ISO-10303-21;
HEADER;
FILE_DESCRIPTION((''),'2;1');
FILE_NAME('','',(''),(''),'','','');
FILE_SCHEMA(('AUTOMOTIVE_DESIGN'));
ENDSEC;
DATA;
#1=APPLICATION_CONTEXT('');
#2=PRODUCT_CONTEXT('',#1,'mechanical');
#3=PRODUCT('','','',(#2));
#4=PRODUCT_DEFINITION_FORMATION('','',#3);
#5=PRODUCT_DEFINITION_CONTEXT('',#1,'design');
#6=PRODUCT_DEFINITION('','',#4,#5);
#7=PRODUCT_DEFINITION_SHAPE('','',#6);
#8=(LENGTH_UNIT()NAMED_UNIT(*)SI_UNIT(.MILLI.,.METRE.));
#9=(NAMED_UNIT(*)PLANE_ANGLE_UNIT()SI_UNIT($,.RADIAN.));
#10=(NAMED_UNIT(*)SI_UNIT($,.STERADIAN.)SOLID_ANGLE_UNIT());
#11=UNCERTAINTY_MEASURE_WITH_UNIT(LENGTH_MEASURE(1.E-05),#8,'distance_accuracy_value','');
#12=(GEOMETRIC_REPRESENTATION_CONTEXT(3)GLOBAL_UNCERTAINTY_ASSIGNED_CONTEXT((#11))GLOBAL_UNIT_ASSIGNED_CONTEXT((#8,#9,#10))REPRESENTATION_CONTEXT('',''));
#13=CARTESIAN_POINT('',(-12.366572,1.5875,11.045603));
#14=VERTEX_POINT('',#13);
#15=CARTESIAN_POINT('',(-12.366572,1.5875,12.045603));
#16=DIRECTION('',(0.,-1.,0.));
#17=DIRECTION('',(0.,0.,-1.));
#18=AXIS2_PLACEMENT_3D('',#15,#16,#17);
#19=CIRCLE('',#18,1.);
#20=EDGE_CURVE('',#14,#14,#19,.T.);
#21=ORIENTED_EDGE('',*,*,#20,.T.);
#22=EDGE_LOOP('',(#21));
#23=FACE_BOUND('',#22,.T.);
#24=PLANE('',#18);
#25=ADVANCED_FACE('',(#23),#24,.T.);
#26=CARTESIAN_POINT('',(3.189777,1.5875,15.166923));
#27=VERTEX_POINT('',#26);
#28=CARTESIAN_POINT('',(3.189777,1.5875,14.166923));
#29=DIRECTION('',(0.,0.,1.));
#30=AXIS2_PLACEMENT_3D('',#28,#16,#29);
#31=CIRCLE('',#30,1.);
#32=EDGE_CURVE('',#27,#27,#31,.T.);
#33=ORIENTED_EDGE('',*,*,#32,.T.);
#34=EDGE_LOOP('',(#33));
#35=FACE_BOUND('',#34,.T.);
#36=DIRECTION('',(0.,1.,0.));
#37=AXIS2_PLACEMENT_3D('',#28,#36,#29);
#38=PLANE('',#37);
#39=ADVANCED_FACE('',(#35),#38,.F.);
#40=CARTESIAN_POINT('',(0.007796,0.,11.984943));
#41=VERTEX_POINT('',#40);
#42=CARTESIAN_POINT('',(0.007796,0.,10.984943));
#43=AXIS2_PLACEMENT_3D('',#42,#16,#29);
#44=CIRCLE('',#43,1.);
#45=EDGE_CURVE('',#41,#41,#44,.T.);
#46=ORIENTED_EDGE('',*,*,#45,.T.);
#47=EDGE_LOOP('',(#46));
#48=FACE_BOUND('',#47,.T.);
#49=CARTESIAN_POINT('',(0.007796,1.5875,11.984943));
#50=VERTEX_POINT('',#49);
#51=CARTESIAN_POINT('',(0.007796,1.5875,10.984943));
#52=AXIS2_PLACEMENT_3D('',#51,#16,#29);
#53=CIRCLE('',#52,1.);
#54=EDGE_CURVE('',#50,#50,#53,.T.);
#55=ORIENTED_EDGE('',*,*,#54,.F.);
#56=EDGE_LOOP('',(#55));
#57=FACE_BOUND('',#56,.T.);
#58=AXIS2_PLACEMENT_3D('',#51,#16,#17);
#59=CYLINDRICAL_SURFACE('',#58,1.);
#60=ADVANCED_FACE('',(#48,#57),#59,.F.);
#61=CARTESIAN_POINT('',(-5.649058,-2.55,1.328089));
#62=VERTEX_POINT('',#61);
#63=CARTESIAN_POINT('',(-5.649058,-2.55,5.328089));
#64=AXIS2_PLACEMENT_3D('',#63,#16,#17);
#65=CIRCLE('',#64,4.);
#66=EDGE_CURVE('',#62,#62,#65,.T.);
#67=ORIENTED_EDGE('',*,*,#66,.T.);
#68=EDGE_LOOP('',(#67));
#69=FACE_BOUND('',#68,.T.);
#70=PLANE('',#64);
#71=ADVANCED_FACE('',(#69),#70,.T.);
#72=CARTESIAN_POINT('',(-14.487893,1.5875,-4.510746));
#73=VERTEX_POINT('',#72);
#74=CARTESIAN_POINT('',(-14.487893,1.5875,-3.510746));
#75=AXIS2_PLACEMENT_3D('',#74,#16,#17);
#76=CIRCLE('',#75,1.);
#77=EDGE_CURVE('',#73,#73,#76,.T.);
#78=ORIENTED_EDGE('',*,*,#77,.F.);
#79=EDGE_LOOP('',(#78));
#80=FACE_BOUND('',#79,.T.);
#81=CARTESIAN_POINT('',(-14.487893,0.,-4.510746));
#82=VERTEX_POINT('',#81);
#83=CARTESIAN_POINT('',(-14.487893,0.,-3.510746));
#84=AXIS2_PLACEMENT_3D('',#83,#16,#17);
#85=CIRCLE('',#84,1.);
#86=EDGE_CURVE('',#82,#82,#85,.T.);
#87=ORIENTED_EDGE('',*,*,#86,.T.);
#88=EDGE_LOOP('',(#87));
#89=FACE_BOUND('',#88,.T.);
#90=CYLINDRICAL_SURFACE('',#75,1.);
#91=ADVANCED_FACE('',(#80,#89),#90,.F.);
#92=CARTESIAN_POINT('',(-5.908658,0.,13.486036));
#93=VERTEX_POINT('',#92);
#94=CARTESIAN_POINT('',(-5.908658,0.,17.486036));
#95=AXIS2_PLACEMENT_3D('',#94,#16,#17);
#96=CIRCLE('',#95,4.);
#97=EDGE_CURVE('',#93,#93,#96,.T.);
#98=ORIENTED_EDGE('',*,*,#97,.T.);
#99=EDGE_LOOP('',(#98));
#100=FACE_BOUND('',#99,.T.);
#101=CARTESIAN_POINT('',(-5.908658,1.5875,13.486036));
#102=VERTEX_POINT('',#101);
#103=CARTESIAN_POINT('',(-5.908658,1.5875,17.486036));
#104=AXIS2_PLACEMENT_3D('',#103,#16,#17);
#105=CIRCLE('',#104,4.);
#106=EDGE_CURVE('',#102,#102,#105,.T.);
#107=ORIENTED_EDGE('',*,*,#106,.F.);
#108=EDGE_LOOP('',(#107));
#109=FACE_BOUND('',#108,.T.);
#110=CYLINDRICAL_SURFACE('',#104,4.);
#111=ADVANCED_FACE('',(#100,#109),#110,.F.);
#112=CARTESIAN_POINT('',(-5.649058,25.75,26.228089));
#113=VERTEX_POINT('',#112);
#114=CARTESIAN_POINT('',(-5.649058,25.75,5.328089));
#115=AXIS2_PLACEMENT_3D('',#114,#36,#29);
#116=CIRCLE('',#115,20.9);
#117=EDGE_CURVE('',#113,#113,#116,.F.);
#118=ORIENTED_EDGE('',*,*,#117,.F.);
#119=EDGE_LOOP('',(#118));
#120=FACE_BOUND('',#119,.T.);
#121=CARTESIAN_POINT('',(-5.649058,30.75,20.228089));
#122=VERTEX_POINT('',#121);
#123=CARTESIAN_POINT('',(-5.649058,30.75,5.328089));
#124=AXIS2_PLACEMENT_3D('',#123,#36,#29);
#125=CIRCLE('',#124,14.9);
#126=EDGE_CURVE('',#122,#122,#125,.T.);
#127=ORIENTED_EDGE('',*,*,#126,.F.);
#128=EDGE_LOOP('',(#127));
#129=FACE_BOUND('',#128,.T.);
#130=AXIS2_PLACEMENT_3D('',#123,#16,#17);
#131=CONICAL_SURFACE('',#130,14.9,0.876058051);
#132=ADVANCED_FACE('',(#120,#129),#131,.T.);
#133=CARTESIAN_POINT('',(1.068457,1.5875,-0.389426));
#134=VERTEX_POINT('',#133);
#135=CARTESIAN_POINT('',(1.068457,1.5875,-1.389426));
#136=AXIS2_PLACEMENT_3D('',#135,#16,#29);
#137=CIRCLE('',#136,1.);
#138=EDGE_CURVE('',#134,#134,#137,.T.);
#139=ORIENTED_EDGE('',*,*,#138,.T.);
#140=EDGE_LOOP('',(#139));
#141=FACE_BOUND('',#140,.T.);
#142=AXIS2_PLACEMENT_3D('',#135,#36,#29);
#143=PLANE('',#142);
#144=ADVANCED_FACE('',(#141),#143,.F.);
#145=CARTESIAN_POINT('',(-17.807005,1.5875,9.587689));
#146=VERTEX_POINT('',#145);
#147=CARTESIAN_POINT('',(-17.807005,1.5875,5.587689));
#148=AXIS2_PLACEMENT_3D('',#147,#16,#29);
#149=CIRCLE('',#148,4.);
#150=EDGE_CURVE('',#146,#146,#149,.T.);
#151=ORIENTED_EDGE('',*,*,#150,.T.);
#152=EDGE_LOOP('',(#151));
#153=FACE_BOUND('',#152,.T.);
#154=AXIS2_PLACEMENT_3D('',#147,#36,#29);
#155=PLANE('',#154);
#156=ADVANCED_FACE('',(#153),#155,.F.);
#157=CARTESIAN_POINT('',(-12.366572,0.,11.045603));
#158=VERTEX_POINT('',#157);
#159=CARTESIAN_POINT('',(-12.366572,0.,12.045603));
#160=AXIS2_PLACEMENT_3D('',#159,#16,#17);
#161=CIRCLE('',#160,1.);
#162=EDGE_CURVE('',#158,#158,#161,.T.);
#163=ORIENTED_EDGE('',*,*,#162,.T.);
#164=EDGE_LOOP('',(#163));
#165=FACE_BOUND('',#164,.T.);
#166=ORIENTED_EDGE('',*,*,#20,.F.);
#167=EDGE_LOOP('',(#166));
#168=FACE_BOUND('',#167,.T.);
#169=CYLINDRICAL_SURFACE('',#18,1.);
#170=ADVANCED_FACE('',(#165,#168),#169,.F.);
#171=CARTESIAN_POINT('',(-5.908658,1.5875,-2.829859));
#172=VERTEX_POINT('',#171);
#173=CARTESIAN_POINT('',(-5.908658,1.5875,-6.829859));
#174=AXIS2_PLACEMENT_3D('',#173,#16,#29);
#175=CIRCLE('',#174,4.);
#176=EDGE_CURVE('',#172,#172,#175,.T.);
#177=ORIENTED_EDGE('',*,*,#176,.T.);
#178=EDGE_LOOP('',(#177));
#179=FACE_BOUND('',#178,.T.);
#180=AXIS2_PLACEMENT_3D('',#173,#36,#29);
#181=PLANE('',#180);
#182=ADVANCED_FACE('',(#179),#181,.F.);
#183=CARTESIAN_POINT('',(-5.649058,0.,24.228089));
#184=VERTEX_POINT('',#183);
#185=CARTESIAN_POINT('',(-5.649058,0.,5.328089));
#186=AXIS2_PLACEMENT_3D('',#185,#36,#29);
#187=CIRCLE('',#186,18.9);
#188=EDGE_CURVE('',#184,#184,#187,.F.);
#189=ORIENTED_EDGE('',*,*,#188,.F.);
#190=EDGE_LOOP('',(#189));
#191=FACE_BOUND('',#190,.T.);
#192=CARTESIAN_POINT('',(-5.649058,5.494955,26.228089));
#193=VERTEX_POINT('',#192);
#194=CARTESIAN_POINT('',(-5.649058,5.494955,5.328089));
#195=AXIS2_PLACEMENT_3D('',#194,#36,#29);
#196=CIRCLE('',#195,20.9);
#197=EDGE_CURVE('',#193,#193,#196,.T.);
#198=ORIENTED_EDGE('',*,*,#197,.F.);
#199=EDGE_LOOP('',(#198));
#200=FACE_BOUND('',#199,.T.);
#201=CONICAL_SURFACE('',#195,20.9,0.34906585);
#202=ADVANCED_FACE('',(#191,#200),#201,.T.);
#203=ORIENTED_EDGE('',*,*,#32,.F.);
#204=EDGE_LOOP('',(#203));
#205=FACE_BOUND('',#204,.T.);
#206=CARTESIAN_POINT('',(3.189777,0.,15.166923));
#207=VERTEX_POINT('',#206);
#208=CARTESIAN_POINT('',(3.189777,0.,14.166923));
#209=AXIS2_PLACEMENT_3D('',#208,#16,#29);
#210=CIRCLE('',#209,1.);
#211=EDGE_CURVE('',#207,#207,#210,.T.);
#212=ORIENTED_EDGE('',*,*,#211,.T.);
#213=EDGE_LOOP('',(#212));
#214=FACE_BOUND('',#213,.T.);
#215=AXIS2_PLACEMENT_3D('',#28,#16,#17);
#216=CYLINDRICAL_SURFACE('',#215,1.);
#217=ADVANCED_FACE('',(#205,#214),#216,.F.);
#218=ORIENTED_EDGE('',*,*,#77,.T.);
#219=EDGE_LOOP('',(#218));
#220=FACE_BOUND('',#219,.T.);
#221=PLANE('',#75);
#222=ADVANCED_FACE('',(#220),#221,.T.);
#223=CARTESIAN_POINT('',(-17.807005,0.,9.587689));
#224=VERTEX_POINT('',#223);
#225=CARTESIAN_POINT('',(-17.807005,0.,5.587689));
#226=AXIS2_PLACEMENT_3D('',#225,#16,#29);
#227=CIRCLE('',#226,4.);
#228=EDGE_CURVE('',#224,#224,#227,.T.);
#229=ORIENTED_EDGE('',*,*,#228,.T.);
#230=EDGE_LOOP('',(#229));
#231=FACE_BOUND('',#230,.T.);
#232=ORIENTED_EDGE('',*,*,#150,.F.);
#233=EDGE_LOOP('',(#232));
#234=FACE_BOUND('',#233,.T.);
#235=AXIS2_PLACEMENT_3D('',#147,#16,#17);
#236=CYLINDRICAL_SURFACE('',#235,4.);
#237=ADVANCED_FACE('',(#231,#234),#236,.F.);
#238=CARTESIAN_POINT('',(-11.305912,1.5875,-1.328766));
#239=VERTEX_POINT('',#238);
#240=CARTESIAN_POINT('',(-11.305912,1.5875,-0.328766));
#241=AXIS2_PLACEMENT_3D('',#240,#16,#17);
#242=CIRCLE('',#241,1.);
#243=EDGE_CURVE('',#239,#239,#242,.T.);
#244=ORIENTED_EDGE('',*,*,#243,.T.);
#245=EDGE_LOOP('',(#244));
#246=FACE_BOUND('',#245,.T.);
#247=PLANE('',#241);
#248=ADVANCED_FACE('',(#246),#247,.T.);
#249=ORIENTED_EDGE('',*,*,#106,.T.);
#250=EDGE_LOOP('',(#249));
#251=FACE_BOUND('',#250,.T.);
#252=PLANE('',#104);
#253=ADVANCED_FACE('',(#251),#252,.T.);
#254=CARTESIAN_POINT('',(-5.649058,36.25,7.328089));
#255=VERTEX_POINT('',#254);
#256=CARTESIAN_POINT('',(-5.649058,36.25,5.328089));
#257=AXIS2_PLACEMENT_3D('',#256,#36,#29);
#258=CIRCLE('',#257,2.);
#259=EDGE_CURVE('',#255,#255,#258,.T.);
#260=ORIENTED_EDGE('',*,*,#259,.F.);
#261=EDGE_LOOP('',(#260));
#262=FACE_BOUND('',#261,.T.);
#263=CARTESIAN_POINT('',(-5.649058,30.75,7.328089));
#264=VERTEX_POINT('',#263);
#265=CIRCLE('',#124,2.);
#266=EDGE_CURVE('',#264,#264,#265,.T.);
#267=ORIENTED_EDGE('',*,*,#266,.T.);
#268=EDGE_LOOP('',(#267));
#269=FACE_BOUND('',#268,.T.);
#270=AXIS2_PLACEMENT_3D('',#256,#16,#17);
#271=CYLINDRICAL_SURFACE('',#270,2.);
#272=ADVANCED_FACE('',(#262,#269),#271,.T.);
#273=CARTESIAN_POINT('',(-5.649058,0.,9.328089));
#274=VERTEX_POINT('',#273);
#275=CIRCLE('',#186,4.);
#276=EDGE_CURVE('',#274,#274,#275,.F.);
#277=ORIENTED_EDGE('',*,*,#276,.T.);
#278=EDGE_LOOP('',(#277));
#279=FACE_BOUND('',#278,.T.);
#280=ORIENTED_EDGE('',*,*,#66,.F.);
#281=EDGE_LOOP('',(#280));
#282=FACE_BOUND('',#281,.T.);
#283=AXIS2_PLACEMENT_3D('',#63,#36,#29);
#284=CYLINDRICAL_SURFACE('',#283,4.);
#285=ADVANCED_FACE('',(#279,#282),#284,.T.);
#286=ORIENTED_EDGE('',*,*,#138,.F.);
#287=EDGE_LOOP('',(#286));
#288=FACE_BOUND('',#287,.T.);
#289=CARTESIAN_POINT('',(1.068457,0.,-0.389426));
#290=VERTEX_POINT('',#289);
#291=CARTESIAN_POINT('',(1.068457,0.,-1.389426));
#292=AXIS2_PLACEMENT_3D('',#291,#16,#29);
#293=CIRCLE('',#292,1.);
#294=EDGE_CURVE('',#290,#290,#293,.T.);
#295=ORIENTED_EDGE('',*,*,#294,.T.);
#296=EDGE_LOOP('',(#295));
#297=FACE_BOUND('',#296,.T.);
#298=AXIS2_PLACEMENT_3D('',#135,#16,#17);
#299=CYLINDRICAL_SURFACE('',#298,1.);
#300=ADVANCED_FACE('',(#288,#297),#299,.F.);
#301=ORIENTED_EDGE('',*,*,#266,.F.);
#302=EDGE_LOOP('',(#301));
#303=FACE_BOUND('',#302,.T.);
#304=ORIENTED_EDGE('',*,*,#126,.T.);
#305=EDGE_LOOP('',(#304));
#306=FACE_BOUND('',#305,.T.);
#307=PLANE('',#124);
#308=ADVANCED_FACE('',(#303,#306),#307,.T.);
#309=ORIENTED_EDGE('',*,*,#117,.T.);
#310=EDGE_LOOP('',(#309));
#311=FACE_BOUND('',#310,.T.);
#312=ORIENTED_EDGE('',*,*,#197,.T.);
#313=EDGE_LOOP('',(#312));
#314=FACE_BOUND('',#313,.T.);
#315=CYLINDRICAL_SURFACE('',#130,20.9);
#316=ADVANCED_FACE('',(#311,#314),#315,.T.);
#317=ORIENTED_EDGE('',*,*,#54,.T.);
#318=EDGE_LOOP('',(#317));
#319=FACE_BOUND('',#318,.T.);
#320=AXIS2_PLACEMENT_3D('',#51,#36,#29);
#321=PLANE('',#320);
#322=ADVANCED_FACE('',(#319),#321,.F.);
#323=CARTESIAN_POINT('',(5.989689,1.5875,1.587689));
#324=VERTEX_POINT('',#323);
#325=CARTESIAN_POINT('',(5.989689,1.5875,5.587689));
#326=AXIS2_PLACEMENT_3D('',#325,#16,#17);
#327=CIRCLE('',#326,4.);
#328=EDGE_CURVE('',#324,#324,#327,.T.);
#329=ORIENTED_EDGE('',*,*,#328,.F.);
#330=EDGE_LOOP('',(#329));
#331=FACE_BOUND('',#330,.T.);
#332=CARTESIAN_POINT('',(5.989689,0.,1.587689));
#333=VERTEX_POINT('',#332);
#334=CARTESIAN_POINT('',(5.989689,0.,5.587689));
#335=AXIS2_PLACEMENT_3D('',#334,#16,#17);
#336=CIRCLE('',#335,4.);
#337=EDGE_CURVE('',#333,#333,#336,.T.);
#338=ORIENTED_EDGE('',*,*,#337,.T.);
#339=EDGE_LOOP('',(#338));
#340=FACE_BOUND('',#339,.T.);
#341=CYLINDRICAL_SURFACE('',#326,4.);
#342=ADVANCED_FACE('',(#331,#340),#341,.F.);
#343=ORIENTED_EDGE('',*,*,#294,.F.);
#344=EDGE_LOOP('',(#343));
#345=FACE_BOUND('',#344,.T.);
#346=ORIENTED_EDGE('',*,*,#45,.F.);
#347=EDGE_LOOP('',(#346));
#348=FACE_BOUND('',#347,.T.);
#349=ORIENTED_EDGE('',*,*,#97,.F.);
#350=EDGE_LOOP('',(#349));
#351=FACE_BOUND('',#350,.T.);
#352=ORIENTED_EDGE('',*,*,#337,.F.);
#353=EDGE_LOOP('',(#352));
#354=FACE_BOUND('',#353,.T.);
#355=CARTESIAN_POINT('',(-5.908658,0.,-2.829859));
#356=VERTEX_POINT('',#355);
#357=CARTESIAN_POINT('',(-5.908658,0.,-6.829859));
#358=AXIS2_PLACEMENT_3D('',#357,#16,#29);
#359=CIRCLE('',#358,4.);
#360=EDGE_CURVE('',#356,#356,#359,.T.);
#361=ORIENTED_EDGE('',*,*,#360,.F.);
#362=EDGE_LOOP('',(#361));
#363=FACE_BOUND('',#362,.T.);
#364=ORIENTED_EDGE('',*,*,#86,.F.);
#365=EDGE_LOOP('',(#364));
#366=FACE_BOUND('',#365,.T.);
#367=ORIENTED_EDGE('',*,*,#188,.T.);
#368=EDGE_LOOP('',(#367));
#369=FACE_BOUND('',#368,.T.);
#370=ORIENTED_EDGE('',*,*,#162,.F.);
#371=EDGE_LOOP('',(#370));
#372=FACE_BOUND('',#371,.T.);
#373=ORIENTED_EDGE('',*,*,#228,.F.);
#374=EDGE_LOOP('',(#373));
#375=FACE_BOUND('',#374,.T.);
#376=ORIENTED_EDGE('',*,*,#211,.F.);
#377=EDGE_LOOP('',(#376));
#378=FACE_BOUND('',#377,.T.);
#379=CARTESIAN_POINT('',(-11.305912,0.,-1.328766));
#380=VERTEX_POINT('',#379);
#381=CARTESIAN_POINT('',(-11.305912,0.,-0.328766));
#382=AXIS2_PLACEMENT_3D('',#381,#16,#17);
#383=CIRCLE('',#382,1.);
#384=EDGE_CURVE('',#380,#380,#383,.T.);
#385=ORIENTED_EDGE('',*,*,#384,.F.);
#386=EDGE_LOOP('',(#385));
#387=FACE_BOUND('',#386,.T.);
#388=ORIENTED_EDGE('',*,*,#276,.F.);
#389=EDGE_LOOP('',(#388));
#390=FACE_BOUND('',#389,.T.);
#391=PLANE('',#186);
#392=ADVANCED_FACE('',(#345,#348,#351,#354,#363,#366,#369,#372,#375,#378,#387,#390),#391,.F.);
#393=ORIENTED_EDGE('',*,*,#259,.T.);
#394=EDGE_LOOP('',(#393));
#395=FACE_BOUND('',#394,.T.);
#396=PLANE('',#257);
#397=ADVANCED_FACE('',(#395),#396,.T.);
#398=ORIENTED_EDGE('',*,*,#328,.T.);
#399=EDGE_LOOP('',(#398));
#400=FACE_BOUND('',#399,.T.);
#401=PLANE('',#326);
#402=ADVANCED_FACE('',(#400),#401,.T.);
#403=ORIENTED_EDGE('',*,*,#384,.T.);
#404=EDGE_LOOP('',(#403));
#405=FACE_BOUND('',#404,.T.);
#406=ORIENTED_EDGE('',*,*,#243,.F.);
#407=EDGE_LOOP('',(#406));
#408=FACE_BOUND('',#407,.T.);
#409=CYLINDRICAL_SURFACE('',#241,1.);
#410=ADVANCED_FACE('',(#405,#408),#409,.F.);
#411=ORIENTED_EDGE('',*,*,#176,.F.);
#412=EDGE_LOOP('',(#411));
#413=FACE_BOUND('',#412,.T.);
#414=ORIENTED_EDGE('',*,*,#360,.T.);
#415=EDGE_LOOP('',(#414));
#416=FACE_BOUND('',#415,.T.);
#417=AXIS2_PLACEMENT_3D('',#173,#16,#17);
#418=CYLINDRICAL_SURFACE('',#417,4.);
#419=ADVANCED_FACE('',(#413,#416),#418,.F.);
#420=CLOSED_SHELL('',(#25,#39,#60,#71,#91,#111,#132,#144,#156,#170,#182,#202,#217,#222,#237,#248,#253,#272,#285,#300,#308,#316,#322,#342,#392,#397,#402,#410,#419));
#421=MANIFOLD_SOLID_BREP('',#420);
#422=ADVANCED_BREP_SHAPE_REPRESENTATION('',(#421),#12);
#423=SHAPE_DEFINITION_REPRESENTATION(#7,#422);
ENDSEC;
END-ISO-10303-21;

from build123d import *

# Parameters (mm, degrees)
SKETCH1_R           = 20.9
BOSS_EXTRUDE1_DEPTH = 30.75
CHAMFER1_SIZE       = 5
CHAMFER1_SIZE2      = 6
CHAMFER2_SIZE       = 2
CHAMFER2_SIZE2      = 5.494954839
SKETCH2_R           = 2
BOSS_EXTRUDE2_DEPTH = 5.5
SKETCH3_R           = 4
BOSS_EXTRUDE3_DEPTH = 2.55
SKETCH4_R           = 4
SKETCH4_R_2         = 1
CUT_EXTRUDE1_DEPTH  = 1.5875


with BuildPart() as part:
    # Sketch1 → Boss-Extrude1 (new body)
    with BuildSketch(Plane(origin=(0, 0, 0), x_dir=(1, 0, 0), z_dir=(0, 1, 0))):
        with Locations(Location((-5.649057894, -5.328088696, 0), (0, 0, 270))):
            Circle(SKETCH1_R)
    extrude(amount=BOSS_EXTRUDE1_DEPTH)

    # Chamfer1
    chamfer1_edges = [part.edges().sort_by_distance(p)[0] for p in [
        (-5.649057894, 30.75, -15.571911304),
    ]]
    chamfer1_side = [part.faces().sort_by_distance(p)[0] for p in [
        (-5.649057894, 15.375, -15.571911304),
    ]]
    chamfer(chamfer1_edges, length=CHAMFER1_SIZE, length2=CHAMFER1_SIZE2, reference=chamfer1_side[0])

    # Chamfer2
    chamfer2_edges = [part.edges().sort_by_distance(p)[0] for p in [
        (-5.649057894, 0, -15.571911304),
    ]]
    chamfer2_side = [part.faces().sort_by_distance(p)[0] for p in [
        (-5.649057894, 0, 5.328088696),
    ]]
    chamfer(chamfer2_edges, length=CHAMFER2_SIZE, length2=CHAMFER2_SIZE2, reference=chamfer2_side[0])

    # Sketch2 → Boss-Extrude2 (add)
    with BuildSketch(Plane(origin=(0, 30.75, 0), x_dir=(1, 0, 0), z_dir=(0, 1, 0))):
        with Locations(Location((-5.649057894, -5.328088696, 0), (0, 0, 270))):
            Circle(SKETCH2_R)
    extrude(amount=BOSS_EXTRUDE2_DEPTH)

    # Sketch3 → Boss-Extrude3 (add)
    with BuildSketch(Plane.XZ):
        with Locations(Location((-5.649057894, 5.328088696, 0), (0, 0, 90))):
            Circle(SKETCH3_R)
    extrude(amount=BOSS_EXTRUDE3_DEPTH)

    # Sketch4 → Cut-Extrude1 (cut)
    with BuildSketch(Plane.XZ):
        with Locations(Location((-5.908658192, 17.486035989, 0), (0, 0, 270))):
            Circle(SKETCH4_R)
        with Locations(Location((-5.908658192, -6.829858597, 0), (0, 0, 90))):
            Circle(SKETCH4_R)
        with Locations(Location((-17.807005187, 5.587688994, 0), (0, 0, 90))):
            Circle(SKETCH4_R)
        with Locations(Location((5.989688802, 5.587688994, 0), (0, 0, 270))):
            Circle(SKETCH4_R)
        with Locations(Location((-12.366572316, 12.045603117, 0), (0, 0, 270))):
            Circle(SKETCH4_R_2)
        with Locations(Location((1.068456527, -1.389425725, 0), (0, 0, 90))):
            Circle(SKETCH4_R_2)
        with Locations(Location((-11.305912144, -0.328765554, 0), (0, 0, 270))):
            Circle(SKETCH4_R_2)
        with Locations(Location((0.007796355, 10.984942945, 0), (0, 0, 90))):
            Circle(SKETCH4_R_2)
        with Locations(Location((-14.487892659, -3.510746069, 0), (0, 0, 270))):
            Circle(SKETCH4_R_2)
        with Locations(Location((3.18977687, 14.166923461, 0), (0, 0, 90))):
            Circle(SKETCH4_R_2)
    extrude(amount=-CUT_EXTRUDE1_DEPTH, mode=Mode.SUBTRACT)


solid = part.part
